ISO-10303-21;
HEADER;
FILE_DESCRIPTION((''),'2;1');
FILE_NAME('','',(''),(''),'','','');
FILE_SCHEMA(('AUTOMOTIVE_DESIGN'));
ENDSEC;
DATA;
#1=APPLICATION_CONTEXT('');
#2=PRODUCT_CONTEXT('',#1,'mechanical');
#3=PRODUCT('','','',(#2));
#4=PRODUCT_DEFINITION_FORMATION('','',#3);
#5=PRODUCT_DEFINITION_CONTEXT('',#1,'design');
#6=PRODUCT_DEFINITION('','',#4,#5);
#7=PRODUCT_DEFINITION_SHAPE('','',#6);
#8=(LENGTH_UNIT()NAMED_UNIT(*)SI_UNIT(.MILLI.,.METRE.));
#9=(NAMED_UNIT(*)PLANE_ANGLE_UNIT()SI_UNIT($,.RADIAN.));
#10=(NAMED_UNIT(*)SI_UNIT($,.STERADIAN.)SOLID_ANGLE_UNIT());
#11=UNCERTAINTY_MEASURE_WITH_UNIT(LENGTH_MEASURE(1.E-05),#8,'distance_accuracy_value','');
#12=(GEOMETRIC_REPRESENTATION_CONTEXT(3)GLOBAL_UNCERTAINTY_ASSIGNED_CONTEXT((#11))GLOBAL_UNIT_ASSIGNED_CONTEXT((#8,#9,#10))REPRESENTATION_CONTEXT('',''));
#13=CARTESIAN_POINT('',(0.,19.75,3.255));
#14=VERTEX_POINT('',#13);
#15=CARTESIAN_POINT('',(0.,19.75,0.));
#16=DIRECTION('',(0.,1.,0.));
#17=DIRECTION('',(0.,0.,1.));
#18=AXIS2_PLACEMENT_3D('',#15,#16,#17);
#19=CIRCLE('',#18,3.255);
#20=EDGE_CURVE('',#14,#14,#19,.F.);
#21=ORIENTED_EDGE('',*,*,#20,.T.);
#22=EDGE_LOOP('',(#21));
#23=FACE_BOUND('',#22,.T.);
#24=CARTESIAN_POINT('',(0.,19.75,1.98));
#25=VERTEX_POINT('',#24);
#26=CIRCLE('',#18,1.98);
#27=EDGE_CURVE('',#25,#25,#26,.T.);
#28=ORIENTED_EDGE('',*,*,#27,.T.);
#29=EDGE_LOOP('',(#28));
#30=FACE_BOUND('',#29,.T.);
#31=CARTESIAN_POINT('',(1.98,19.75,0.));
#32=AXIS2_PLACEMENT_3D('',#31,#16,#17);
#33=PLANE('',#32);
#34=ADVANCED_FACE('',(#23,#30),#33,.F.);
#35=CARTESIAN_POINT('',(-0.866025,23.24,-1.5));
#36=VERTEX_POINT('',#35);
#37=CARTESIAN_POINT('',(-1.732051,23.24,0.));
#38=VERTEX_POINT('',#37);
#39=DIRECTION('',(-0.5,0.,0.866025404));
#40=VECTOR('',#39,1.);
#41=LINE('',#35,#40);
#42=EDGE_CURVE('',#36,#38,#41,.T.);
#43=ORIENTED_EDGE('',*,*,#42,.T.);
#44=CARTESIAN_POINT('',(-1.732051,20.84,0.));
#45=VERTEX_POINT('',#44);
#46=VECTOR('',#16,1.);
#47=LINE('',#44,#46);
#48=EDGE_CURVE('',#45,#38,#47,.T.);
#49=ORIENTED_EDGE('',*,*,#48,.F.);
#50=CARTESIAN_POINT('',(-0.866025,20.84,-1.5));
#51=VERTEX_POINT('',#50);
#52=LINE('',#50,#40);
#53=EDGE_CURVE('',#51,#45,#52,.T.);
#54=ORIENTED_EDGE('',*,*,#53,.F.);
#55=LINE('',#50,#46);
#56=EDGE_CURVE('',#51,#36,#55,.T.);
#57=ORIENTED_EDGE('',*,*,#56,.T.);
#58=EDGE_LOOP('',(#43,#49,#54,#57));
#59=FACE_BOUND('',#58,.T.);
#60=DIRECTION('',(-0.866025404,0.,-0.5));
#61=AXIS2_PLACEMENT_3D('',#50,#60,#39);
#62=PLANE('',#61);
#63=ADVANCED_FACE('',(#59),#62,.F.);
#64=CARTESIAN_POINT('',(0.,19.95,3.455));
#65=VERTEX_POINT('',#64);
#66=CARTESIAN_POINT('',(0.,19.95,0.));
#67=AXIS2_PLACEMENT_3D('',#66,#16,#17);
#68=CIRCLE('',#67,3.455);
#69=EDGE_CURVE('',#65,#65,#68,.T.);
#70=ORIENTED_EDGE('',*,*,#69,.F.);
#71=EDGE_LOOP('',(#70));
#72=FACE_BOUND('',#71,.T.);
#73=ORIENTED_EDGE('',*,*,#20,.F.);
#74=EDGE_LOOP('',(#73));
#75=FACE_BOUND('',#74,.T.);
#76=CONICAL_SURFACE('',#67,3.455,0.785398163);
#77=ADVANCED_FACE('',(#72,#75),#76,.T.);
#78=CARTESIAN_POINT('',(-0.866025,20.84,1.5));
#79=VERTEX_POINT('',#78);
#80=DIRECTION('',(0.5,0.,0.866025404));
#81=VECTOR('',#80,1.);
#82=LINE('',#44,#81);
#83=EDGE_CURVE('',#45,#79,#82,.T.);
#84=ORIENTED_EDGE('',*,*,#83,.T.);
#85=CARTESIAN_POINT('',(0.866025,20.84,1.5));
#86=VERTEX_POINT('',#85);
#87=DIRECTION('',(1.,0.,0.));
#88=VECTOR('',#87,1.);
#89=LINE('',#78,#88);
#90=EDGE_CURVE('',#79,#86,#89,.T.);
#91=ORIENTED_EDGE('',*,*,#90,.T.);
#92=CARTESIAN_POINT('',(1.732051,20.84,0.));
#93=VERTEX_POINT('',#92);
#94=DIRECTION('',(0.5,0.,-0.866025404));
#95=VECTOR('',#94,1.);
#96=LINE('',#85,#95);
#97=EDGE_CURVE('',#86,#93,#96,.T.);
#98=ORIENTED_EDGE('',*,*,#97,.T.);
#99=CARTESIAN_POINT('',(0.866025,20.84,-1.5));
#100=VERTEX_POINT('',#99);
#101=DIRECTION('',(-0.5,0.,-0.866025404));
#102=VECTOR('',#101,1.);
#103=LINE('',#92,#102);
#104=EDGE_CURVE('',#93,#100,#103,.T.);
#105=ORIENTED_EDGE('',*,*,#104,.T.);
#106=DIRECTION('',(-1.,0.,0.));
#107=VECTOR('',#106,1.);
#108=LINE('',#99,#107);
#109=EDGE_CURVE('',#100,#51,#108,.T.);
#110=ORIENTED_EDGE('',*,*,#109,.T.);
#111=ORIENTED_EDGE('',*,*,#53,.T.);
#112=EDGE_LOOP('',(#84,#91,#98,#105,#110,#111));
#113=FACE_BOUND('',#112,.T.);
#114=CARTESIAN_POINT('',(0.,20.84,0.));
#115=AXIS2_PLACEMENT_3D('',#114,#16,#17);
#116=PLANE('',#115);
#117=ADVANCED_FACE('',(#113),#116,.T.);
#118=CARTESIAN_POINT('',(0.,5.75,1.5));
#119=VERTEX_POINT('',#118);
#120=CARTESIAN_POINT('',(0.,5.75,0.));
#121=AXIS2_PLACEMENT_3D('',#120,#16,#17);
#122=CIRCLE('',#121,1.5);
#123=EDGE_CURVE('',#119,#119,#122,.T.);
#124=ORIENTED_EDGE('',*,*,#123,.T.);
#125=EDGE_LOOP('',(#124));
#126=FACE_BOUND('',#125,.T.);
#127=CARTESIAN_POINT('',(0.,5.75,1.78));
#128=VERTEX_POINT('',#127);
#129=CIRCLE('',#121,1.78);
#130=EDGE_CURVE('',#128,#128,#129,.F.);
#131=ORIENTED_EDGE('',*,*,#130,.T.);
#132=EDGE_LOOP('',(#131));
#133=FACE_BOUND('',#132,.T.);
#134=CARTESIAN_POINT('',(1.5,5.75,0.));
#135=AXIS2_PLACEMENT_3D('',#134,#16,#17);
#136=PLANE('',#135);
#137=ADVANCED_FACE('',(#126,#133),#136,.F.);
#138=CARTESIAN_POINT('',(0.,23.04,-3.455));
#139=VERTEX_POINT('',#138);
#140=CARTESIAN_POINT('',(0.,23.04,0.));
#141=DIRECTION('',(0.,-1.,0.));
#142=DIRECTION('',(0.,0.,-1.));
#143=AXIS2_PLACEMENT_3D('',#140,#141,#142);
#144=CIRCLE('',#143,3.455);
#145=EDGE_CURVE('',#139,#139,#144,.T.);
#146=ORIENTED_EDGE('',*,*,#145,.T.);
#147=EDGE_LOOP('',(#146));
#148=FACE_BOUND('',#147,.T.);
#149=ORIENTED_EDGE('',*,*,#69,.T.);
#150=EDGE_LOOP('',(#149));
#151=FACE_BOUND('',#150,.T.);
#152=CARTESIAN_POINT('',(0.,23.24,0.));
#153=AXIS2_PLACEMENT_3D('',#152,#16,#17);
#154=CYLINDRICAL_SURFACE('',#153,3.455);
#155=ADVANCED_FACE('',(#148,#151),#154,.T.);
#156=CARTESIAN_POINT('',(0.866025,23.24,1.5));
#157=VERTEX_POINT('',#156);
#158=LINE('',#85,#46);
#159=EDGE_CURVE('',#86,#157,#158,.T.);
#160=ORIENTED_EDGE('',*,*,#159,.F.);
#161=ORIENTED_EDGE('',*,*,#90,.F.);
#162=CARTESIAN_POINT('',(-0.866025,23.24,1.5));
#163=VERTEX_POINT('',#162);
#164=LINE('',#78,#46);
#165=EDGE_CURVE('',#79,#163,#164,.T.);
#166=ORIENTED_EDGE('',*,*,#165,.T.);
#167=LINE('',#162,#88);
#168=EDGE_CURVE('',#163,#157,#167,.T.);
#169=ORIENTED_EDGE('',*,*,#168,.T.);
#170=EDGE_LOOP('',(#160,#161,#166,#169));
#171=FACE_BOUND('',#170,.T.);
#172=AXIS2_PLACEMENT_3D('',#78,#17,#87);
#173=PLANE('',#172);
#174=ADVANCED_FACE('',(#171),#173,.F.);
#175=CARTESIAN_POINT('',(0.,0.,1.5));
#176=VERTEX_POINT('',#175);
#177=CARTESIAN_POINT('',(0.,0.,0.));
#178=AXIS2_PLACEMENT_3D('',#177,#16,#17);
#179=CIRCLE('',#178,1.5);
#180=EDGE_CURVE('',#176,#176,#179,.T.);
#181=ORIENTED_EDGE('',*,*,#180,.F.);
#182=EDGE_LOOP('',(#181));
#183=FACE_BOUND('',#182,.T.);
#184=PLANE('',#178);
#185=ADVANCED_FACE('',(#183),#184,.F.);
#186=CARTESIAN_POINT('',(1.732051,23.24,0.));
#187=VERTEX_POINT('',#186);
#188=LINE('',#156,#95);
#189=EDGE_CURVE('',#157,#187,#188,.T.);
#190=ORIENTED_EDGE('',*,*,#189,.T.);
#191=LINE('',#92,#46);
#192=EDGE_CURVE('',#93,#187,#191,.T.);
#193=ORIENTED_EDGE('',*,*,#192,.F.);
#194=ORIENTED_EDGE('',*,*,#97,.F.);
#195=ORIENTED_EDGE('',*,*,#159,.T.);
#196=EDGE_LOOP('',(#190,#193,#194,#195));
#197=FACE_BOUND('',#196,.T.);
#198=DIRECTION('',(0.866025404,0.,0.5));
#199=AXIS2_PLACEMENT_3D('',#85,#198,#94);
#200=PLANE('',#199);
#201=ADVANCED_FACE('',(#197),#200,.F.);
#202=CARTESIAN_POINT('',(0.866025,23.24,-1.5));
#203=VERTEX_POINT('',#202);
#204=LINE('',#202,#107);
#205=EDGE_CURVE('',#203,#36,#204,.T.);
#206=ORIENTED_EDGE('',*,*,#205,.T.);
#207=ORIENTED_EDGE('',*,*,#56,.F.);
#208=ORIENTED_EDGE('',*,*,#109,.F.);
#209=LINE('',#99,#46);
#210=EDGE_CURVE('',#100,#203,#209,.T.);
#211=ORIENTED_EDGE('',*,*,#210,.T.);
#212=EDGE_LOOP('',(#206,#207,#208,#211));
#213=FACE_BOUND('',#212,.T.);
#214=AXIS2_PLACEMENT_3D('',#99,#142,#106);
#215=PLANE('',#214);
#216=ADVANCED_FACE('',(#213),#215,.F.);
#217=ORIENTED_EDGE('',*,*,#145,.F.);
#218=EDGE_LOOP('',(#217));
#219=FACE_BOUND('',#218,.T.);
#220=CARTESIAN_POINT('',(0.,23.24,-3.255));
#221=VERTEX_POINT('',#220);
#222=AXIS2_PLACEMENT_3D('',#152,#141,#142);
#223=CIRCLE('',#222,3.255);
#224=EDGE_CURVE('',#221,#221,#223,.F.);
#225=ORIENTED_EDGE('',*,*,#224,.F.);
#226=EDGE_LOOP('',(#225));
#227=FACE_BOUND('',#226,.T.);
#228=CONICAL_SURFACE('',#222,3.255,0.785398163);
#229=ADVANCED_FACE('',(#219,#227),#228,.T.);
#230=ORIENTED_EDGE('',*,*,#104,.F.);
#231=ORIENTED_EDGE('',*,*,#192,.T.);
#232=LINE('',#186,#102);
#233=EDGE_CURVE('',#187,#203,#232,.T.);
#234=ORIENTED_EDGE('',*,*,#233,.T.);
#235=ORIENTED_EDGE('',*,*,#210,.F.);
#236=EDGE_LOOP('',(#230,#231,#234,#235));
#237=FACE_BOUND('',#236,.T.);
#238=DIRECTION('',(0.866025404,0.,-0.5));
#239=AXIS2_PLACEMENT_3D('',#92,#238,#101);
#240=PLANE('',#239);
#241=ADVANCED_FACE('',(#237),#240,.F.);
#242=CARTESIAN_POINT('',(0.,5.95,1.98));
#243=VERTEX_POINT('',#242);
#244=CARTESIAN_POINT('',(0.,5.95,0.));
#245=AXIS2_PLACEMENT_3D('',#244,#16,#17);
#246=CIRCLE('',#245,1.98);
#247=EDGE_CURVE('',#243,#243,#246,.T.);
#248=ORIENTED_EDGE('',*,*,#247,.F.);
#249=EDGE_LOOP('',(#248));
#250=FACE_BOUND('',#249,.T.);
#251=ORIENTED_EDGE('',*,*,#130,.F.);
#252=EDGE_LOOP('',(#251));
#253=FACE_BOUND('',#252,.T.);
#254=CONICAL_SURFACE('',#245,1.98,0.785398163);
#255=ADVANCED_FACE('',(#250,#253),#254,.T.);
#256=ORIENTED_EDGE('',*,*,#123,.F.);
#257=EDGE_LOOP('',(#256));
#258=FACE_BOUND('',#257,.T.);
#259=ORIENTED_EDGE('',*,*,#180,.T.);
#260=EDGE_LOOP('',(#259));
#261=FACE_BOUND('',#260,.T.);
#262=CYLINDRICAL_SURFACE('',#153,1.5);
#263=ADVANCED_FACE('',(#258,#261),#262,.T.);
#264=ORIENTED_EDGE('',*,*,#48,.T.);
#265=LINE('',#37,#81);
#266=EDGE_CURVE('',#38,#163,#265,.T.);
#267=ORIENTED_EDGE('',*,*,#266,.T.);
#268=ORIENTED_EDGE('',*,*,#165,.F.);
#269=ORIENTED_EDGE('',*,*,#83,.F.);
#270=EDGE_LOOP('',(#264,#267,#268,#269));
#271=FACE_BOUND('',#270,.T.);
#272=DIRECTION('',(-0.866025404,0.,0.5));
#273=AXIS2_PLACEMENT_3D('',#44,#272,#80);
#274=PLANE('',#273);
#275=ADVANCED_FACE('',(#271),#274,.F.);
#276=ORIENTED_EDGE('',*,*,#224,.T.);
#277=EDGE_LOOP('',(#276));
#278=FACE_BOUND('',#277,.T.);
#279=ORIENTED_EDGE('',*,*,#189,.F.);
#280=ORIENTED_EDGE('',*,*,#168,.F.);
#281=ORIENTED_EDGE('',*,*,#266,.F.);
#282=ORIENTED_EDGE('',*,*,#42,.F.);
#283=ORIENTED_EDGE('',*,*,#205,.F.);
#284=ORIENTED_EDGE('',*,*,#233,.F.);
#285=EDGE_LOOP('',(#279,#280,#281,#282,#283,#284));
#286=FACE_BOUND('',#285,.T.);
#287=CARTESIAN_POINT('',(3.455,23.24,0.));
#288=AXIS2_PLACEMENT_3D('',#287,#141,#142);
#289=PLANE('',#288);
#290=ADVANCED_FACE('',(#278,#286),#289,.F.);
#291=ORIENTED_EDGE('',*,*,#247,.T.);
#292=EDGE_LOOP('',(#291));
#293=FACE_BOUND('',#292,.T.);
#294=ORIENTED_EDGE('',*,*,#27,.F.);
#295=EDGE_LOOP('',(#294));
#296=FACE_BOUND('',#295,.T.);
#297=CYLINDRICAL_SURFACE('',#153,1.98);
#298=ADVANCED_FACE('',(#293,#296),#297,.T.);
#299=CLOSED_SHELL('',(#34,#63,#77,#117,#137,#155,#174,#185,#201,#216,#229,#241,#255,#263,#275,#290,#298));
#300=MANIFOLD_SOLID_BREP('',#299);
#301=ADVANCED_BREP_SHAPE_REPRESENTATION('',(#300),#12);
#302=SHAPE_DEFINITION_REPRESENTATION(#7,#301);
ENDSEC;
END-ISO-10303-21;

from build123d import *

# Parameters (mm, degrees)
CUT_EXTRUDE1_DEPTH = 2.4
CHAMFER1_SIZE      = 0.2


with BuildPart() as part:
    # Sketch1 → Revolve1 (revolve)
    with BuildSketch(Plane.XY, mode=Mode.PRIVATE) as revolve1_sk:
        Polygon((0, 0), (1.5, 0), (1.5, 5.75), (1.98, 5.75), (1.98, 19.75), (3.455, 19.75), (3.455, 23.24), (0, 23.24), align=None)
    revolve(revolve1_sk.sketch.rotate(Axis((0, 23.24, 0), (0, -1, 0)), 90), axis=Axis((0, 23.24, 0), (0, -1, 0)))

    # Sketch2 → Cut-Extrude1 (cut)
    with BuildSketch(Plane(origin=(0, 23.24, 0), x_dir=(1, 0, 0), z_dir=(0, 1, 0))):
        Polygon((1.732050808, 0), (0.866025404, 1.5), (-0.866025404, 1.5), (-1.732050808, 0), (-0.866025404, -1.5), (0.866025404, -1.5), align=None)
    extrude(amount=-CUT_EXTRUDE1_DEPTH, mode=Mode.SUBTRACT)

    # Chamfer1
    chamfer1_edges = [part.edges().sort_by_distance(p)[0] for p in [
        (0, 23.24, -3.455),
        (0, 19.75, -3.455),
        (0, 5.75, -1.98),
    ]]
    chamfer(chamfer1_edges, length=CHAMFER1_SIZE)


solid = part.part
